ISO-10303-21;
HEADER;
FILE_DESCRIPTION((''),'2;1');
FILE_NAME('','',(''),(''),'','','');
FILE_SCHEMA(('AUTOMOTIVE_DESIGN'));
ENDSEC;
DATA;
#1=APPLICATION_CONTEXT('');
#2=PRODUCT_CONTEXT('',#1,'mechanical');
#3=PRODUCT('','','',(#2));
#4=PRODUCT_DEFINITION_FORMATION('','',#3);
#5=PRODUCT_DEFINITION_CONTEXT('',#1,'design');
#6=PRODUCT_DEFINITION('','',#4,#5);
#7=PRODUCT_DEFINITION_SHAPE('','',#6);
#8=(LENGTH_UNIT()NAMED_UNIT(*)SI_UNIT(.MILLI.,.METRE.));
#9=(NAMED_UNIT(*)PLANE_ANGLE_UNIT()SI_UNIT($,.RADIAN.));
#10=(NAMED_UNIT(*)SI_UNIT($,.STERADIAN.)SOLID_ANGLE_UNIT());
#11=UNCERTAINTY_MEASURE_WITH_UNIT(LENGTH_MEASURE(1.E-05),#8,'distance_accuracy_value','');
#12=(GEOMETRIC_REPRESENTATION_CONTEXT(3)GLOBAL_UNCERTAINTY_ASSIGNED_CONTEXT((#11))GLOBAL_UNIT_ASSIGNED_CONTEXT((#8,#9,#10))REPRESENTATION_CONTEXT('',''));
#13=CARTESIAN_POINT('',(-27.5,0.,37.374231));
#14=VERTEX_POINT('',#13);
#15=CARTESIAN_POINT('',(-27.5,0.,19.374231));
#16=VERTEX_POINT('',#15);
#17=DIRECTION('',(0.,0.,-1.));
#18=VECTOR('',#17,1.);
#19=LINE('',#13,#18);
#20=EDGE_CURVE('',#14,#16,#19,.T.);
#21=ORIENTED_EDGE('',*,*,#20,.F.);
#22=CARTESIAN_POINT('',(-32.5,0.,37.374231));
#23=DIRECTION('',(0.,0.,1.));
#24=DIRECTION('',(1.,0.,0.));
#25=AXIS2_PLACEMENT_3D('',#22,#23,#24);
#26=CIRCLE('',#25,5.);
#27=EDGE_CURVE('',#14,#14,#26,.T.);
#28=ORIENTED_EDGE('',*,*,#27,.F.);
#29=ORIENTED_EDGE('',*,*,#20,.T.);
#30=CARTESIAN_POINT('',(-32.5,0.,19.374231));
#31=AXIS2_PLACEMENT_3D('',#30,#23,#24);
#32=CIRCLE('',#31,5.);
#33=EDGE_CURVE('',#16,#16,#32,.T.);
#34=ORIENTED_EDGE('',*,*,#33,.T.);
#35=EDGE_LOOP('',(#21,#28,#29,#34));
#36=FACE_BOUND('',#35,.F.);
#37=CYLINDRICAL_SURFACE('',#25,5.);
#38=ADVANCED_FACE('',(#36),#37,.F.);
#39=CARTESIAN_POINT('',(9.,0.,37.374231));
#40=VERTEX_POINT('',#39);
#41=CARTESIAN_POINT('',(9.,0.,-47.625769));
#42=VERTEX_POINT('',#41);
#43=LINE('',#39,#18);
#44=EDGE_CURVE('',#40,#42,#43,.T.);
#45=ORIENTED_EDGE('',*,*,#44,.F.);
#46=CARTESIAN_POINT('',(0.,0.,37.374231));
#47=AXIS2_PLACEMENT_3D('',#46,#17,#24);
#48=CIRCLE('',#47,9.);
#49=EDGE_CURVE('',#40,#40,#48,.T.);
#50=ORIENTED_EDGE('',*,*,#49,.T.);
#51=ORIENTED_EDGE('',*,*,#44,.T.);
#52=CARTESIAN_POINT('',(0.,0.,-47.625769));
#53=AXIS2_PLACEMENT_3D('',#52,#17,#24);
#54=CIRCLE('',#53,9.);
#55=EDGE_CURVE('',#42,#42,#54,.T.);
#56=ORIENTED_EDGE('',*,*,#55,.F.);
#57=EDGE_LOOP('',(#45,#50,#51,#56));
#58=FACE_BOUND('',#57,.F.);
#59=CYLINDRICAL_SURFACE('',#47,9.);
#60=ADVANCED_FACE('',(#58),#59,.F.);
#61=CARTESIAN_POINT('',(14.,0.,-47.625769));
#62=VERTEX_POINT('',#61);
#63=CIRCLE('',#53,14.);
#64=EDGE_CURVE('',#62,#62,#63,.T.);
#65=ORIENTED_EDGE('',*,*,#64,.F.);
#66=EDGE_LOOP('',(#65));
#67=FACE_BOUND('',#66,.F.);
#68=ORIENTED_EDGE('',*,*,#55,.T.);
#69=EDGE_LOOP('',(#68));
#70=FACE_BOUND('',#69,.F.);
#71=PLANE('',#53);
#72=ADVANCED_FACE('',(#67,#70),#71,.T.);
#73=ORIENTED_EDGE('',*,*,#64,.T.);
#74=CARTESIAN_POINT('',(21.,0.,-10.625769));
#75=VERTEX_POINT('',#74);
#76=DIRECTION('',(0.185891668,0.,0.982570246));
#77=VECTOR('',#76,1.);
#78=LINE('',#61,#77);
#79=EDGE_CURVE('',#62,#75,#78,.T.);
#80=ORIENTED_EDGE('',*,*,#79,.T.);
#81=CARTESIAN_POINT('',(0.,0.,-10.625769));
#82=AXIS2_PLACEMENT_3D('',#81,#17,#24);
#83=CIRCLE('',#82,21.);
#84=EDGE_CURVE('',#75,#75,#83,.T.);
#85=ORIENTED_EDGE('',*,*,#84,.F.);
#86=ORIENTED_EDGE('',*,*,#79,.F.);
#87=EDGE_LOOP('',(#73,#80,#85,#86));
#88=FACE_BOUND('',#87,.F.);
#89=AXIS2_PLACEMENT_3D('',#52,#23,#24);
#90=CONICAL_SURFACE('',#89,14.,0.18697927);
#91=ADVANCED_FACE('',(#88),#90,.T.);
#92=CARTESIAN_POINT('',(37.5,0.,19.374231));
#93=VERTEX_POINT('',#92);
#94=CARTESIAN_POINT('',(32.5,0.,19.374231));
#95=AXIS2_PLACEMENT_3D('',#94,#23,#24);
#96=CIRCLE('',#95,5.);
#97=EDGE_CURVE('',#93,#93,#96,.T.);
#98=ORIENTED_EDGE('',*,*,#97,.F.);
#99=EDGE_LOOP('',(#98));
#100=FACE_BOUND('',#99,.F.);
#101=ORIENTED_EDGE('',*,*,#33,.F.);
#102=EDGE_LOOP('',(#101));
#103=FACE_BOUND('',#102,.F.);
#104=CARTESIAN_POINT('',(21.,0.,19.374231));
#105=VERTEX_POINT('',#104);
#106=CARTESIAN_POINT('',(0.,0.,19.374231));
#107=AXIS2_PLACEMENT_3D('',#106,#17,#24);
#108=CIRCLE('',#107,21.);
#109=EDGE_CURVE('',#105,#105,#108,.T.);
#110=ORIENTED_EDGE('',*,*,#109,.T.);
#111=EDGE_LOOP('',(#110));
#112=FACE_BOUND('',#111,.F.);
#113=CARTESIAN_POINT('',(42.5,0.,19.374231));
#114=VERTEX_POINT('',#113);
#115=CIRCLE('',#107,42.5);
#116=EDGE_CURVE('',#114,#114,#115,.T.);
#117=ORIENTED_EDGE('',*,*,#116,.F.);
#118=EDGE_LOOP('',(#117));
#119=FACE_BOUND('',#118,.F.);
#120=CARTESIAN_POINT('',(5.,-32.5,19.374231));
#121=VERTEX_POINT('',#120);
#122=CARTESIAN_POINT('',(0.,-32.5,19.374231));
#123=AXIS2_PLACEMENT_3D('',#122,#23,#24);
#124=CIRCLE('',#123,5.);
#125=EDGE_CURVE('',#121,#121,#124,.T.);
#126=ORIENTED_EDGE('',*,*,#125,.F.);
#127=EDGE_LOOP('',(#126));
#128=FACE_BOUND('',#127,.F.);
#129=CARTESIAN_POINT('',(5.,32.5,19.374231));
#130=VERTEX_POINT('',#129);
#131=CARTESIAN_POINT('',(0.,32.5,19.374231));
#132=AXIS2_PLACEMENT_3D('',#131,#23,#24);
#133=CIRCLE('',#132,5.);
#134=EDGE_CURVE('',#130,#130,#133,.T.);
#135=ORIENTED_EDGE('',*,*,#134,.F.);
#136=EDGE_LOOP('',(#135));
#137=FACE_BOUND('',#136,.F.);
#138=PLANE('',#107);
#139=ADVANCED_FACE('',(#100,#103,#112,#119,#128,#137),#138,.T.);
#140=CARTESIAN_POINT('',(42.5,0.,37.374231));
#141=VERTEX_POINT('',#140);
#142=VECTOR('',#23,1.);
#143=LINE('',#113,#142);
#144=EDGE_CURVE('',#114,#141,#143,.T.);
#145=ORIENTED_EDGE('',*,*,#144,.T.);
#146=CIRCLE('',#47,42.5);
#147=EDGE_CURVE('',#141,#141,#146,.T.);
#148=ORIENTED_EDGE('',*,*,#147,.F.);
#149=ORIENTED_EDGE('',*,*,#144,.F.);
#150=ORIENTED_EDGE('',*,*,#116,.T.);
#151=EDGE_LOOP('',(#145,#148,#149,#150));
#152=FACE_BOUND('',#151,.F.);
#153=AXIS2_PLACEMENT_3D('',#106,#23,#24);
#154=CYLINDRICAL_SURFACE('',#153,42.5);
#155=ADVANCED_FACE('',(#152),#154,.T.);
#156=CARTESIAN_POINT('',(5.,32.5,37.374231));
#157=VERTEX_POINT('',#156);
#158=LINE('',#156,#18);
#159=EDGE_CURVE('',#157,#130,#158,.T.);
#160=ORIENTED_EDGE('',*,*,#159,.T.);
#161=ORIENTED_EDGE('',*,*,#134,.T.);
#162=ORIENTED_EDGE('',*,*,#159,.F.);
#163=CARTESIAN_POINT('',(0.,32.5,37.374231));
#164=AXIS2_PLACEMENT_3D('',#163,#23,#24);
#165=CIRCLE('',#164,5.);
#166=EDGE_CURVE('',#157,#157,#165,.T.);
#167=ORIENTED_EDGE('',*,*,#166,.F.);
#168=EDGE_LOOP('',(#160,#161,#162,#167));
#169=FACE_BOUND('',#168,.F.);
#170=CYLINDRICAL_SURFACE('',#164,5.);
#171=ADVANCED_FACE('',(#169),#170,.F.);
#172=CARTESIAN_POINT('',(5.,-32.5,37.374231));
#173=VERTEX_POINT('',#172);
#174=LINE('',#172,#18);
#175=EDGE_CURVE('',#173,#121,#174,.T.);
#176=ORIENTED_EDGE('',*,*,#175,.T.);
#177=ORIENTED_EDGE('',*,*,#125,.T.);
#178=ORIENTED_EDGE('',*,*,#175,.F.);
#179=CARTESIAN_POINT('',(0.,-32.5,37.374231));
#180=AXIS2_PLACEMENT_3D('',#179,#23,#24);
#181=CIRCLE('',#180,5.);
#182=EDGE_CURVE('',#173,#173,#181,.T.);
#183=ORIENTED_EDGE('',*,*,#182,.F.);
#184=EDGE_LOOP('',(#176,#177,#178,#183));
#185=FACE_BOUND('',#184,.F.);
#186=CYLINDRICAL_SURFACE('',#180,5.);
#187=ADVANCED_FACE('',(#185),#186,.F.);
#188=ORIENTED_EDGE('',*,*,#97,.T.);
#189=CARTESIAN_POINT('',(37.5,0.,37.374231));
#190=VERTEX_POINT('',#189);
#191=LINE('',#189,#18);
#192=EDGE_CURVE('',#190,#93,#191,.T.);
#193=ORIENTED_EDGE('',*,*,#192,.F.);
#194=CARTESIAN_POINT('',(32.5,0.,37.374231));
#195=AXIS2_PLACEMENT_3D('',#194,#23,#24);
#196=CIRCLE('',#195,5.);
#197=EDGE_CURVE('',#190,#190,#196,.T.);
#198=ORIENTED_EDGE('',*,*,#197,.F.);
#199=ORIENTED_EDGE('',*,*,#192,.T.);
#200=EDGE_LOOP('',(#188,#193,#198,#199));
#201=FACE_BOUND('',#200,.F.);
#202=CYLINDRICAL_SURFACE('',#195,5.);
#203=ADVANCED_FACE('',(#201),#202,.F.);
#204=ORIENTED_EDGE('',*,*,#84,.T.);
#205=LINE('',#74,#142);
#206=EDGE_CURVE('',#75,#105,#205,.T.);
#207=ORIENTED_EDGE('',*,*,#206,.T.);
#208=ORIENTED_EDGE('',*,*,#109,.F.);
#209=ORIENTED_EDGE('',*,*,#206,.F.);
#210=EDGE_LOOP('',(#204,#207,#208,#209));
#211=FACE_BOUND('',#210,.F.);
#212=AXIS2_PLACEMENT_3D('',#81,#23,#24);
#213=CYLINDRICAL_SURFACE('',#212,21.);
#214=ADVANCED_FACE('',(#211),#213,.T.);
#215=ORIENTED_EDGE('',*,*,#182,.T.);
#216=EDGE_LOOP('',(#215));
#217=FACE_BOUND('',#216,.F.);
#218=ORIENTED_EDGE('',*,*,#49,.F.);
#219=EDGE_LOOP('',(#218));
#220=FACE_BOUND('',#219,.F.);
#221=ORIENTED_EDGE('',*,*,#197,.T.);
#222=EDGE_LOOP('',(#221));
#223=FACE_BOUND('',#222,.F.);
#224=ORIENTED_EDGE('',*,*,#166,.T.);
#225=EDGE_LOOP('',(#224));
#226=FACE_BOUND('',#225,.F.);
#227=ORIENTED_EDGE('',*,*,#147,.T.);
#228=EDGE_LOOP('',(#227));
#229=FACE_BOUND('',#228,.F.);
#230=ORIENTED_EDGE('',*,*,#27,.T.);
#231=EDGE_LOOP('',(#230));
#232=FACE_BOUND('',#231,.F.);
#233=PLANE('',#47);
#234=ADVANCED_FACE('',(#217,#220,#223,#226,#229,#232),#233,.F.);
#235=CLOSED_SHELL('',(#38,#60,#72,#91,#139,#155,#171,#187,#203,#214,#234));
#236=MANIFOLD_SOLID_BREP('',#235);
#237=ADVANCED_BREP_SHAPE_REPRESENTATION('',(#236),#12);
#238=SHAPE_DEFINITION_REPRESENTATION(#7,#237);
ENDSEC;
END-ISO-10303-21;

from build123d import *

# Parameters (mm, degrees)
F3_R     = 5
F4_DEPTH = 85.001


with BuildPart() as f1:
    # F0 (on Front) → F1 (revolve)
    with BuildSketch(Plane.XZ):
        Polygon((42.5, 37.374231), (9, 37.374231), (9, -47.625769), (14, -47.625769), (21, -10.625769), (21, 19.374231), (42.5, 19.374231), align=None)
    revolve(axis=Axis((0, 0, -6.798562), (0, 0, -1)))

    # F3 (on face) → F4 (cut, through all)
    with BuildSketch(Plane.XY.offset(37.374231)):
        with Locations((32.5, 0)):
            Circle(F3_R)
        with Locations((0, 32.5)):
            Circle(F3_R)
        with Locations((-32.5, 0)):
            Circle(F3_R)
        with Locations((0, -32.5)):
            Circle(F3_R)
    extrude(amount=-F4_DEPTH, mode=Mode.SUBTRACT)


solid = f1.part
